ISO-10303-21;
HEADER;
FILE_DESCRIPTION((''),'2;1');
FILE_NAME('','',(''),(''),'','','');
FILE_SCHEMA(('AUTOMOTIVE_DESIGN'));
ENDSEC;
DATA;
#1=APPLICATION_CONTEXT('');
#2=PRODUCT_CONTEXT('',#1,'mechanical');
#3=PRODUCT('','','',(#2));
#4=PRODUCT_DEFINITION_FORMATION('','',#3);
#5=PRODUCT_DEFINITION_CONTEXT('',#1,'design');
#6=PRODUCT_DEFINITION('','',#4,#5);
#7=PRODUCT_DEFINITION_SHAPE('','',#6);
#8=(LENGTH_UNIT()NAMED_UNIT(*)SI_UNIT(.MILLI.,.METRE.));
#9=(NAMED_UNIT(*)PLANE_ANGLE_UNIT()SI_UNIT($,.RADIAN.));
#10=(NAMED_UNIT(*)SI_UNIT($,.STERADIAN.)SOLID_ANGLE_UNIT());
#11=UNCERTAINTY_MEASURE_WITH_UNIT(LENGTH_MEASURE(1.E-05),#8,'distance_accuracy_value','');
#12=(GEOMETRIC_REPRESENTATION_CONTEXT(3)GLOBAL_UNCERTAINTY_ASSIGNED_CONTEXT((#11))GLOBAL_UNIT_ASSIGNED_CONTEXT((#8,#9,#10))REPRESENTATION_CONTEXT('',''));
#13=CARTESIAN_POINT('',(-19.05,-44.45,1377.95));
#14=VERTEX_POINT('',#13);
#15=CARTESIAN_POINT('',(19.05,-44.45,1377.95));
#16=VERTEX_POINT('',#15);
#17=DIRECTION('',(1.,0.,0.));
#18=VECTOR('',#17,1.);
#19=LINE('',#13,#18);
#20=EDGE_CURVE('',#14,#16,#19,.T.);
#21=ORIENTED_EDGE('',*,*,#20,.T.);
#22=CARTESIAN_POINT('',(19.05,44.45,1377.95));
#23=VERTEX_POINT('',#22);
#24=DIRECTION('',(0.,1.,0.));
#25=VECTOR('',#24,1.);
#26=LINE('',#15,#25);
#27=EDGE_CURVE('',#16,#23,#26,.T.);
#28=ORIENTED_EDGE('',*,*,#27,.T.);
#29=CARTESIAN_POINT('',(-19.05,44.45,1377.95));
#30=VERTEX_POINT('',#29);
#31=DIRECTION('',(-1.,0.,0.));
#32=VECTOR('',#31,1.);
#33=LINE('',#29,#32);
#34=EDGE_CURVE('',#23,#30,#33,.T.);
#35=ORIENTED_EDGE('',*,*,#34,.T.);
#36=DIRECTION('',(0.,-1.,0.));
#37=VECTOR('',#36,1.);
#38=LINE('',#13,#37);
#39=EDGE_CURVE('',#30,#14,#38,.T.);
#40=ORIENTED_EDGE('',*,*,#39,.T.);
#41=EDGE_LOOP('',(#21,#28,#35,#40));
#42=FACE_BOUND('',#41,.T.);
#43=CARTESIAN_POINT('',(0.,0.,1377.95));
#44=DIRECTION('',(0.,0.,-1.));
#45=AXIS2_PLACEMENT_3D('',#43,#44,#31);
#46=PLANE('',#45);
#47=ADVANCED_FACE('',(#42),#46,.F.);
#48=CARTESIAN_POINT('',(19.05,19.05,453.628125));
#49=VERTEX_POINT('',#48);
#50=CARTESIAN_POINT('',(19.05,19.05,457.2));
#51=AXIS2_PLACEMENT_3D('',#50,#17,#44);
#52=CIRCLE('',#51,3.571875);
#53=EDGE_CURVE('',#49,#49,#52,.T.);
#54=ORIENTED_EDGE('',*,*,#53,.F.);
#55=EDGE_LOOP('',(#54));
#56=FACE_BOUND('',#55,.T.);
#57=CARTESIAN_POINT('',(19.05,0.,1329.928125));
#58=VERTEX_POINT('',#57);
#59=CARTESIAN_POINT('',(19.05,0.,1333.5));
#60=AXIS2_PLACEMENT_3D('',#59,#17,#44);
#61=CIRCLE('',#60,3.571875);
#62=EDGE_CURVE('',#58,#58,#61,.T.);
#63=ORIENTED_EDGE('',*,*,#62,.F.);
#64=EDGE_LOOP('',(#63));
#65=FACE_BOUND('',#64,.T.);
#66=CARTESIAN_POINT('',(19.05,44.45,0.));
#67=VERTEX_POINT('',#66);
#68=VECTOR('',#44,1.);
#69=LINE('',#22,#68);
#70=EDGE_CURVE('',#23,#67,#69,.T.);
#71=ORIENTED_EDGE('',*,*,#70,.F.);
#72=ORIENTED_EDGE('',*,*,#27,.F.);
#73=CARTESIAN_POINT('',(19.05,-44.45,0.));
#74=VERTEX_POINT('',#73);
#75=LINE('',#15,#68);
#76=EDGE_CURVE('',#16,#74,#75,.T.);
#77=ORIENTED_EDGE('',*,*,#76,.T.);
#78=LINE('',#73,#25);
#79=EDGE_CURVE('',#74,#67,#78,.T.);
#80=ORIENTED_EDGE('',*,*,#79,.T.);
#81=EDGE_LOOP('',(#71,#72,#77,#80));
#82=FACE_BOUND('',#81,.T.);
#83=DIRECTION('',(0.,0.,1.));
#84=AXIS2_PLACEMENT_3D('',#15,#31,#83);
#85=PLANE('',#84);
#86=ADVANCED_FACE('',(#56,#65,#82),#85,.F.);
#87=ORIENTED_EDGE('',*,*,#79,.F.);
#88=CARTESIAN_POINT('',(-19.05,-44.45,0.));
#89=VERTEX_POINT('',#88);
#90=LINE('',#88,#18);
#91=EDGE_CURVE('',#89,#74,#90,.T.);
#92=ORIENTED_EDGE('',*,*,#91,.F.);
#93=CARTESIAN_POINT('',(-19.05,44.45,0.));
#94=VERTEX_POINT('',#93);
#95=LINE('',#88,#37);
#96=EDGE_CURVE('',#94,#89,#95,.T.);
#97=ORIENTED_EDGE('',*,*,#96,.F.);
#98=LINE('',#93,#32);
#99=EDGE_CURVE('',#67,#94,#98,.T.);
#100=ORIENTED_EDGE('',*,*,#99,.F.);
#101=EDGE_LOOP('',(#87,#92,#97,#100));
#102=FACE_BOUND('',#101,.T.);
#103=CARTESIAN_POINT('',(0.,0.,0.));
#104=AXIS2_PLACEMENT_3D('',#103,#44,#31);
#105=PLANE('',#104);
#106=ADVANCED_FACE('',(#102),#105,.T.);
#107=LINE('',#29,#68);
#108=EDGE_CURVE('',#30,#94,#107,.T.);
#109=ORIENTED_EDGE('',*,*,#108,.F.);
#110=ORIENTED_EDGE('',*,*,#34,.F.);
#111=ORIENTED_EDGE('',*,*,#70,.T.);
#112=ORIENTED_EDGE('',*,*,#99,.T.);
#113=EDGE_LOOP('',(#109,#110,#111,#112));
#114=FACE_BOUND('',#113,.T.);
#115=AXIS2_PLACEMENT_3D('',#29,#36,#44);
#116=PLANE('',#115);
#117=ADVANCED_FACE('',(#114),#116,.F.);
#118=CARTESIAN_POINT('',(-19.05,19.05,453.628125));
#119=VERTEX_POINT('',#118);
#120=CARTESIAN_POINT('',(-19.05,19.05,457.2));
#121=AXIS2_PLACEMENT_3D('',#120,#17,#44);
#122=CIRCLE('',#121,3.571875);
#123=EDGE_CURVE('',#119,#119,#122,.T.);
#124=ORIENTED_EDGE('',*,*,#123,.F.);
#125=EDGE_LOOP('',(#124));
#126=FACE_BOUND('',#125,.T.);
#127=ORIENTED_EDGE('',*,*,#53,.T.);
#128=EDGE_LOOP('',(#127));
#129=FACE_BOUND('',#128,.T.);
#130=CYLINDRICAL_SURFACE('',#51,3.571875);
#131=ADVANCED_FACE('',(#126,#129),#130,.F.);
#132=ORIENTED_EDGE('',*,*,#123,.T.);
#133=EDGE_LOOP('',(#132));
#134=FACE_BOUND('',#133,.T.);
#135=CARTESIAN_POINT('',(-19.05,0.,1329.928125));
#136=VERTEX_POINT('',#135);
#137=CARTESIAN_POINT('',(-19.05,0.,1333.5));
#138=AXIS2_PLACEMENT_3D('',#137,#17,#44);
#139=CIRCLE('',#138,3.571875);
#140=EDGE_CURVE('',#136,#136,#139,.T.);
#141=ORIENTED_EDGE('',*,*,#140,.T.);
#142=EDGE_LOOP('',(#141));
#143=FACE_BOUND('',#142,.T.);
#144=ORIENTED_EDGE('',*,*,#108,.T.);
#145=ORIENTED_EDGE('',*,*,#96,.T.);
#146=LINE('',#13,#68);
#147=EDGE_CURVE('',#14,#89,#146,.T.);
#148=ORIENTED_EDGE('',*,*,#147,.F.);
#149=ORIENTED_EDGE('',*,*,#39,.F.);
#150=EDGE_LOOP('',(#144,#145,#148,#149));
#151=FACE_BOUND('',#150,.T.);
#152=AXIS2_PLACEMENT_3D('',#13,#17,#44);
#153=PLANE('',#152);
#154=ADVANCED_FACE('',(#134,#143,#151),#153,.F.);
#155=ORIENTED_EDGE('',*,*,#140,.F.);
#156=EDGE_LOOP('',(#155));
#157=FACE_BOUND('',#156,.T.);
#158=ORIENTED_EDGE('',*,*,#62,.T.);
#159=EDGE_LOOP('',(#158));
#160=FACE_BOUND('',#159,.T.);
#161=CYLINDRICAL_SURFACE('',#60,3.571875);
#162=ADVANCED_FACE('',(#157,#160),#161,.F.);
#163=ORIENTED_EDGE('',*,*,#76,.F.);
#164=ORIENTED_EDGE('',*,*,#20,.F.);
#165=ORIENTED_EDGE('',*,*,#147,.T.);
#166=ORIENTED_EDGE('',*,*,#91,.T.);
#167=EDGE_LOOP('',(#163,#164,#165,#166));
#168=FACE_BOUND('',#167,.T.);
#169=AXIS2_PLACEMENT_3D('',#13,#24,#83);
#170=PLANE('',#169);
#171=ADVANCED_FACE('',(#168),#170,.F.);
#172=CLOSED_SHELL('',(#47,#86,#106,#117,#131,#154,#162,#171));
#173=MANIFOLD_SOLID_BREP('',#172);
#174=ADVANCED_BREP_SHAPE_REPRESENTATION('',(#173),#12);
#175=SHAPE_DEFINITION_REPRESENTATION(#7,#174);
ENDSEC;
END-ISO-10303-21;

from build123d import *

# Parameters (mm, degrees)
SKETCH1_W                       = 38.1
SKETCH1_H                       = 88.9
BOSS_EXTRUDE1_DEPTH             = 1377.95
F_9_32_0_28125_DIAMETER_HOLE1_D = 7.14375


with BuildPart() as part:
    # Sketch1 → Boss-Extrude1 (new body)
    with BuildSketch(Plane.XY):
        Rectangle(SKETCH1_W, SKETCH1_H)
    extrude(amount=BOSS_EXTRUDE1_DEPTH)

    # 9/32 (0.28125) Diameter Hole1 (through all)
    with Locations(Plane(origin=(19.05, 0, 0), x_dir=(0, 0, -1), z_dir=(1, 0, 0))):
        with Locations((-1333.5, 0), (-457.2, 19.05)):
            Hole(F_9_32_0_28125_DIAMETER_HOLE1_D / 2)


solid = part.part
